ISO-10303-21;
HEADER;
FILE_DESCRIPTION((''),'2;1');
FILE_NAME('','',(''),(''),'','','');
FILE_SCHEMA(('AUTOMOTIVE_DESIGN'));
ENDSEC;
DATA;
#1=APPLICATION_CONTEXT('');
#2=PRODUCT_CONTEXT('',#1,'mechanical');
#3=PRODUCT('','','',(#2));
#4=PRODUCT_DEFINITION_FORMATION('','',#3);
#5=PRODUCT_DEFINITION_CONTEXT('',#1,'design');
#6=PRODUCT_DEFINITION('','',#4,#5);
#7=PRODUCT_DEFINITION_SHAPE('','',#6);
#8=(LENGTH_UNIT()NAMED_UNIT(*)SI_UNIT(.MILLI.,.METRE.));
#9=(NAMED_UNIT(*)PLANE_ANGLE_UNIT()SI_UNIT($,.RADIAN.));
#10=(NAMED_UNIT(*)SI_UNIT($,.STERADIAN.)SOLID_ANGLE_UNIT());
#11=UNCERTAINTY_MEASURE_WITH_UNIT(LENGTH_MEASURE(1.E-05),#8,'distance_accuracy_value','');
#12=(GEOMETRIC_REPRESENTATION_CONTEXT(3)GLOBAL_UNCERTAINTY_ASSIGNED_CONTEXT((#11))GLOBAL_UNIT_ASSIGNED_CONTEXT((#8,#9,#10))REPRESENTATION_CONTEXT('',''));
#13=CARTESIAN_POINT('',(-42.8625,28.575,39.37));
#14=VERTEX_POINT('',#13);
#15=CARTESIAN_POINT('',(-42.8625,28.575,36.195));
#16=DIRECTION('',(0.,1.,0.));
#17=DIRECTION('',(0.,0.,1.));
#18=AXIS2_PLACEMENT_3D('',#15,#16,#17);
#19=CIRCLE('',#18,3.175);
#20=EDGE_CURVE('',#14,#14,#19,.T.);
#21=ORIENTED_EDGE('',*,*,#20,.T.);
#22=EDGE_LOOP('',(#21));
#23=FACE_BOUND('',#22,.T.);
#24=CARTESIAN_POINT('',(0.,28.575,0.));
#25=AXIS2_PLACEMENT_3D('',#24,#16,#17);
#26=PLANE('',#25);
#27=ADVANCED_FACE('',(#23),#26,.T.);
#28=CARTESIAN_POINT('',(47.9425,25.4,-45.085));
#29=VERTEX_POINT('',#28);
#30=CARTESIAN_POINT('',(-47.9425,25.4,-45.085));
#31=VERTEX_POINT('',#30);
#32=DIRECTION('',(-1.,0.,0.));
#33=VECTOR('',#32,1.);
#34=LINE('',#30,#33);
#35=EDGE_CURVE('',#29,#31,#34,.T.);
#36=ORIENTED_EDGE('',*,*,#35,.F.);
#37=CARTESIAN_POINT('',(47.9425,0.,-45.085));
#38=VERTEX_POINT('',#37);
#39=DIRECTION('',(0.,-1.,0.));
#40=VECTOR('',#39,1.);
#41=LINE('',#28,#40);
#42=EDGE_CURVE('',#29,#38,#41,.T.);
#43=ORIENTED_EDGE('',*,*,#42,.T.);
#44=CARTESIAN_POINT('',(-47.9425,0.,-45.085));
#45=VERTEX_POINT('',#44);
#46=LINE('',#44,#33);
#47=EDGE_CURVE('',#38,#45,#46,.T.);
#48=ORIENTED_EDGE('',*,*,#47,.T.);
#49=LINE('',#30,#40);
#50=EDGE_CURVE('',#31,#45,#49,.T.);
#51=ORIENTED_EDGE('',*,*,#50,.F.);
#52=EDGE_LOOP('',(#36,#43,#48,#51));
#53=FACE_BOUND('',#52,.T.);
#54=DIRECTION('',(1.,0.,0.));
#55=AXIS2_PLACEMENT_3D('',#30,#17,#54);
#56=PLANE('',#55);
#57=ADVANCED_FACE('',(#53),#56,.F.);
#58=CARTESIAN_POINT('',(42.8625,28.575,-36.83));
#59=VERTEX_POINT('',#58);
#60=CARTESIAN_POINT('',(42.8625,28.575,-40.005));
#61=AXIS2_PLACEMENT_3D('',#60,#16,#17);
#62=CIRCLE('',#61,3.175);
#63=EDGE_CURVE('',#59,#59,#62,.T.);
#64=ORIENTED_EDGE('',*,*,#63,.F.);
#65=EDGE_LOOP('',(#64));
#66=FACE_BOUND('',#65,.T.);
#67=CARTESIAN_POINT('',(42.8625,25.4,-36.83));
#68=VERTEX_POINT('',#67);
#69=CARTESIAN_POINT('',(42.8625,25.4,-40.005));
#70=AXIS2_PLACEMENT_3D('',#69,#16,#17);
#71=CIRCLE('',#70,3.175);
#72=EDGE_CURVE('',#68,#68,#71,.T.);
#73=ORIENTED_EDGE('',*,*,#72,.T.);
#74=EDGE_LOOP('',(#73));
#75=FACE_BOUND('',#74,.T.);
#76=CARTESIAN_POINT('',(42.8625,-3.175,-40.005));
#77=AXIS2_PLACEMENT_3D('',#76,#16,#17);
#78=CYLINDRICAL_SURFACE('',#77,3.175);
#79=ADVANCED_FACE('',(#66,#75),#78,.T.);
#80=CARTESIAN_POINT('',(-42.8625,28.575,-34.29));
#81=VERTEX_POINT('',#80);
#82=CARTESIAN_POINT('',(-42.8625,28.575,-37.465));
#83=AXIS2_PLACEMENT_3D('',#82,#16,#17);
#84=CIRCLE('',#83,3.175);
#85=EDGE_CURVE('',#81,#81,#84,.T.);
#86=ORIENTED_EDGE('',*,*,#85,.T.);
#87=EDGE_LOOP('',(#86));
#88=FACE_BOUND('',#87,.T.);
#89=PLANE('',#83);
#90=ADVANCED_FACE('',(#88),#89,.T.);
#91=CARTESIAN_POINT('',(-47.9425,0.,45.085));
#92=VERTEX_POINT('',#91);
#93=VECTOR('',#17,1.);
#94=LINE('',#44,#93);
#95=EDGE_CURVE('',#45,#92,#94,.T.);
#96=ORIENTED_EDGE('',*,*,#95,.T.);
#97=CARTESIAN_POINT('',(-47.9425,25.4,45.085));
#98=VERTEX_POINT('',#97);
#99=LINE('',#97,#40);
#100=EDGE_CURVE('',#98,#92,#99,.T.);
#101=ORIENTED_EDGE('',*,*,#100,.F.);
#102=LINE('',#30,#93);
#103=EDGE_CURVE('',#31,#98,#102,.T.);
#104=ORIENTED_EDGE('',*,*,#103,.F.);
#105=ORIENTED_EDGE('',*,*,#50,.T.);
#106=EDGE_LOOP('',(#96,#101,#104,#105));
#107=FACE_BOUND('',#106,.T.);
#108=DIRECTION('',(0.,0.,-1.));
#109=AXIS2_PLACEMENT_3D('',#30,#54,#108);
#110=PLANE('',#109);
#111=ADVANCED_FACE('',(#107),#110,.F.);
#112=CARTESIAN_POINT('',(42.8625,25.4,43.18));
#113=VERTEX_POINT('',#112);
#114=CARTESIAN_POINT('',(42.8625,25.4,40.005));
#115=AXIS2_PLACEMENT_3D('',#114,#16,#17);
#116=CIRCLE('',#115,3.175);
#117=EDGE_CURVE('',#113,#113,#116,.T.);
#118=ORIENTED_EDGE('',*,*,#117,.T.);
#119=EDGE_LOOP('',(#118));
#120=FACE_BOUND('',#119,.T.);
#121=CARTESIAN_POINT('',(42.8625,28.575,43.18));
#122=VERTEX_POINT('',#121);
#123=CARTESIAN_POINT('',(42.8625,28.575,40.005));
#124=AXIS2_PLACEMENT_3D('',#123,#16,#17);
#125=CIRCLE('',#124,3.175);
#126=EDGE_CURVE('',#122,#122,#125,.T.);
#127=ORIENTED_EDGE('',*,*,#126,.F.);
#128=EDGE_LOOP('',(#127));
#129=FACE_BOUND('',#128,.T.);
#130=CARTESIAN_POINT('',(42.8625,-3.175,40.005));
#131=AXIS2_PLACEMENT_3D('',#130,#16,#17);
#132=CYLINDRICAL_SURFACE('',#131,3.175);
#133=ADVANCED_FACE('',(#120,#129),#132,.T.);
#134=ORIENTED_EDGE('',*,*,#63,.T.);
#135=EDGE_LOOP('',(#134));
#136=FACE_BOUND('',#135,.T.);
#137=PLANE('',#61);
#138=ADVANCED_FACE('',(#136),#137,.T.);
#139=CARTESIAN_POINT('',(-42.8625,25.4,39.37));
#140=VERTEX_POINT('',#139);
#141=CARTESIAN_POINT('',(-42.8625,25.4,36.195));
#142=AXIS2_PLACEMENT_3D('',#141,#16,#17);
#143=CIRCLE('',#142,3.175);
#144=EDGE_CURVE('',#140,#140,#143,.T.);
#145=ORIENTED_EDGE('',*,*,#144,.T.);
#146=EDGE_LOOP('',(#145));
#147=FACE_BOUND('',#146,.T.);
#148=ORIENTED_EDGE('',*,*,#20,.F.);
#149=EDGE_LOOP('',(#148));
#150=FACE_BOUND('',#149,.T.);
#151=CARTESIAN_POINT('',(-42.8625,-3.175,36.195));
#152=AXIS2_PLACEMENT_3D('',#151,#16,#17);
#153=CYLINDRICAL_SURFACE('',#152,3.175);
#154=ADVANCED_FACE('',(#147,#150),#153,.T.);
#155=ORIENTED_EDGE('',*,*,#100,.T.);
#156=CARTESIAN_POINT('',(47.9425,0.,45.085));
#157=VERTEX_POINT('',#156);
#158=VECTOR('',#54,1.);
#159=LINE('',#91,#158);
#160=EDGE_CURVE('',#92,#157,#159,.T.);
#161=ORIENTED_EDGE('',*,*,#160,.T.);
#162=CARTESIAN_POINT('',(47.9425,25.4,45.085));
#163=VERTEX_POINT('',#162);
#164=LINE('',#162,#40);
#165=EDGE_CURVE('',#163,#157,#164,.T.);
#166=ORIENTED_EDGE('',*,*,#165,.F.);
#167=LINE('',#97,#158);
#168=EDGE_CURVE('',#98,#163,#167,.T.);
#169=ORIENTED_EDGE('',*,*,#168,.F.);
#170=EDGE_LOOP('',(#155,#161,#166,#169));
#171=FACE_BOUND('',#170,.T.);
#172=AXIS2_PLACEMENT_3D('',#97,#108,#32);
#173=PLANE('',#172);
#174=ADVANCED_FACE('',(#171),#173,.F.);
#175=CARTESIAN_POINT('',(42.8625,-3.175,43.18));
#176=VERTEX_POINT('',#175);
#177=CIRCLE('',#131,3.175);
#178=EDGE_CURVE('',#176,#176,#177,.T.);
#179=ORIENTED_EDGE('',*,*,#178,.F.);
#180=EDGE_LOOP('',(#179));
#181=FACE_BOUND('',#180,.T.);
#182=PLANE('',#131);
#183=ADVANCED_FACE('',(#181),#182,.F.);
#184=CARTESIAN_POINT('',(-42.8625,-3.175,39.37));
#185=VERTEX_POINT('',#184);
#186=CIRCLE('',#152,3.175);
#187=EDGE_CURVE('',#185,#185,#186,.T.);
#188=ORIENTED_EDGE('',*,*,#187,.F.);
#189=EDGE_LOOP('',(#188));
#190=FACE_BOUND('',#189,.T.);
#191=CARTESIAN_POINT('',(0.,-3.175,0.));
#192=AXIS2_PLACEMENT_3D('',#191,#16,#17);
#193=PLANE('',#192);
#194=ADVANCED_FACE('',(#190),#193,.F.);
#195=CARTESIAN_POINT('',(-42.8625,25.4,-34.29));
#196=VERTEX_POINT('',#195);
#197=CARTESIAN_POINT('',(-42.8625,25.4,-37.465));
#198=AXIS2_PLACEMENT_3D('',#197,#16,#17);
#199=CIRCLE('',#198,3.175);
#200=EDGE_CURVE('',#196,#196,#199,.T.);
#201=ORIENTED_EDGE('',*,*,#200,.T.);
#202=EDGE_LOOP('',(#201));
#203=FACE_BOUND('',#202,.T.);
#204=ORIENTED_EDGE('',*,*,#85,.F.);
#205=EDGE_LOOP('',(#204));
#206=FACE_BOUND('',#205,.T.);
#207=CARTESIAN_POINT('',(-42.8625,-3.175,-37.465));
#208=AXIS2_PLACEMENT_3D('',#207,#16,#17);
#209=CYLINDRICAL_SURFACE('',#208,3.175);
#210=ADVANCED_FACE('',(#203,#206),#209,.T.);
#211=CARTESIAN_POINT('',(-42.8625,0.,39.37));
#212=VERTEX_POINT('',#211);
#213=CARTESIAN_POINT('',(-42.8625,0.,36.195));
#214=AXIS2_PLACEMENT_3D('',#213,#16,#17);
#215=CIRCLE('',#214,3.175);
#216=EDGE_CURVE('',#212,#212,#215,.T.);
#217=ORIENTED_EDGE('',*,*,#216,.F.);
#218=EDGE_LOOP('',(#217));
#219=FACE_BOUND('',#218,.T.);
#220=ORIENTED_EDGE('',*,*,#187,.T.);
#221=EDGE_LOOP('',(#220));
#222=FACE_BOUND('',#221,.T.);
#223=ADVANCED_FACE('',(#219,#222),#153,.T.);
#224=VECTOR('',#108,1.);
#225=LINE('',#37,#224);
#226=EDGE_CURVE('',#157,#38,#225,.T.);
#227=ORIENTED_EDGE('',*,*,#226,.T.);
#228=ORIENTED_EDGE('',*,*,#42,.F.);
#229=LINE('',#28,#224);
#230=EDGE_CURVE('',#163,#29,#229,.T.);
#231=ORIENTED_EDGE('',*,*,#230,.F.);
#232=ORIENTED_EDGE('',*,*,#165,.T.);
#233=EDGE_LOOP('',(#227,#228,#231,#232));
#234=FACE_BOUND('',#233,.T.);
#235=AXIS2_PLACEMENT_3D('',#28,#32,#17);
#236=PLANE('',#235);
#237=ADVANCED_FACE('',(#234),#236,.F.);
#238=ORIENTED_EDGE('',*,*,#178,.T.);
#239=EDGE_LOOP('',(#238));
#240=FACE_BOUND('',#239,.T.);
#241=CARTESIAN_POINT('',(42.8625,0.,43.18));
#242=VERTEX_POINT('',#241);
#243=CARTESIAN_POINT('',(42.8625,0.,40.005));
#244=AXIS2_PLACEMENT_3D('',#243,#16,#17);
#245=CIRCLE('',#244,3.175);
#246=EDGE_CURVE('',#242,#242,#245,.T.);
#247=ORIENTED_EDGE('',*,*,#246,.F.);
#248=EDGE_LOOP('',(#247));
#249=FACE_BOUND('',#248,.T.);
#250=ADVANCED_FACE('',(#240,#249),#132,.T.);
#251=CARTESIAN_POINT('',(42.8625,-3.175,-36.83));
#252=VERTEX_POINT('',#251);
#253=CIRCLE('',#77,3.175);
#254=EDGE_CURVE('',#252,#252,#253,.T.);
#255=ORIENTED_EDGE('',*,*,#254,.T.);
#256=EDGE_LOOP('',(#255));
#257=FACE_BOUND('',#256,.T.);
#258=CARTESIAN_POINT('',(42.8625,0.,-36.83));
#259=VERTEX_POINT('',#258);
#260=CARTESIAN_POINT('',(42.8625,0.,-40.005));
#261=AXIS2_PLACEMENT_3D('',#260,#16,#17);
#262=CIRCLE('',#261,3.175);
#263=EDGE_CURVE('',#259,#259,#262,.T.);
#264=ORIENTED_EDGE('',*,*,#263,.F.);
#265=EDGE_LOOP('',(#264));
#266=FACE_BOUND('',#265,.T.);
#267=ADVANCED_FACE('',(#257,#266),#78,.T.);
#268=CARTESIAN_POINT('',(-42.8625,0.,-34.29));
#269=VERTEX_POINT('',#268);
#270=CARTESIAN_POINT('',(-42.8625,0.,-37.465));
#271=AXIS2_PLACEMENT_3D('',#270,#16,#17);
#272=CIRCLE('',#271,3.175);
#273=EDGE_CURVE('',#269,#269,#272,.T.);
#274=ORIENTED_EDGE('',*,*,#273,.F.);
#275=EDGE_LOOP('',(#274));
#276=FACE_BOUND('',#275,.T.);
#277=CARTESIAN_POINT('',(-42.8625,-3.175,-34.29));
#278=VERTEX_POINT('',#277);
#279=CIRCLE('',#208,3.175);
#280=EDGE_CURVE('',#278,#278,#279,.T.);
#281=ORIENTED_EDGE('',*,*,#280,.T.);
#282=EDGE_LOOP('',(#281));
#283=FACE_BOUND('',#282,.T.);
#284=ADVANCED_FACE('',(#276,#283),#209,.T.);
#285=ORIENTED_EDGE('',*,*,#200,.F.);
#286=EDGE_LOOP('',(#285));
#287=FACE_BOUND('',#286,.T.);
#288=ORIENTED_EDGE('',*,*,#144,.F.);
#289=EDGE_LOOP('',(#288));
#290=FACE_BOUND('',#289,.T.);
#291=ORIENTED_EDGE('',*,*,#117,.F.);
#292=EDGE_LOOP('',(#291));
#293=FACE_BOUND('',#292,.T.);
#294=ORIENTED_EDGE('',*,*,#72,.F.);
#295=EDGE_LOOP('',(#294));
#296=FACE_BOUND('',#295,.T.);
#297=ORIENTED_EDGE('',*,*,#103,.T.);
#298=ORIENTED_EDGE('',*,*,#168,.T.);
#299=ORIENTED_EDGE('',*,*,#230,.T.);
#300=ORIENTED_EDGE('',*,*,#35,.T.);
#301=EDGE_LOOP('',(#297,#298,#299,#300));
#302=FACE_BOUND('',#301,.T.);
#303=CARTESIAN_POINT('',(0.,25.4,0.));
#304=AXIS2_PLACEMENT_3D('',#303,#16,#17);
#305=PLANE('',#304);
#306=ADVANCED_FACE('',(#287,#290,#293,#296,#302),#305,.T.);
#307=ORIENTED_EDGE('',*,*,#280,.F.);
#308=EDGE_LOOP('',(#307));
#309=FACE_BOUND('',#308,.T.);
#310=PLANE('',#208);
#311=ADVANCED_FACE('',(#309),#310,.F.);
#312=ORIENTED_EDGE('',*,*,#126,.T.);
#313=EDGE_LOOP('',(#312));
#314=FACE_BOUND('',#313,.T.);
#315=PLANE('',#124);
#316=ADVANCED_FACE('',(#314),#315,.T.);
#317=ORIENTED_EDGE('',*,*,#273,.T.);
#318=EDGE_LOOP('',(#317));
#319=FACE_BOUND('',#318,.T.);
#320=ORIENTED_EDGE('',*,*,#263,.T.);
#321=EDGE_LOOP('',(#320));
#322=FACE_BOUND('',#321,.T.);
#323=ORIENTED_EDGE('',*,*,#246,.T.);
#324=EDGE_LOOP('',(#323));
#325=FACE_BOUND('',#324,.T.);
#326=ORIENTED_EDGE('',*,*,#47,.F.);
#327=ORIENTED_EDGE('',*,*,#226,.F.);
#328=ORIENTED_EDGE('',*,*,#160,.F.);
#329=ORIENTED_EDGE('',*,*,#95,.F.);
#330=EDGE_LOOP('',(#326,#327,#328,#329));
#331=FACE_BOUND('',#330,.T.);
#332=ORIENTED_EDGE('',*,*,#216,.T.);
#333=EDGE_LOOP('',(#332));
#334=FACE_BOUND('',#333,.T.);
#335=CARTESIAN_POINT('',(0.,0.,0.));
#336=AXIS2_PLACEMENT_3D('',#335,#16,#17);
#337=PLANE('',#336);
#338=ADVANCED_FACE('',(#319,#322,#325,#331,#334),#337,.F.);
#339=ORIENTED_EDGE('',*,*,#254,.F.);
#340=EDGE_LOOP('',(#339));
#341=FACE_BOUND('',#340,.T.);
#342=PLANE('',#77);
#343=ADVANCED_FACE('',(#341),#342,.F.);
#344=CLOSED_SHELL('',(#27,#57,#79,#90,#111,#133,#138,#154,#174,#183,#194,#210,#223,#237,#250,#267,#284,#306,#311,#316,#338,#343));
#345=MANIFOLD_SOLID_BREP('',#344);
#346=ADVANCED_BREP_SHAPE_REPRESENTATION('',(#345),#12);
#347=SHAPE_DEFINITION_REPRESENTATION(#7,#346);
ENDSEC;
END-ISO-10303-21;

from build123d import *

# Parameters (mm, degrees)
SKETCH1_W                = 95.885
SKETCH1_H                = 90.17
SKETCH1_R                = 3.175
BOSS_EXTRUDE1_DEPTH      = 25.4
BOSS_EXTRUDE2_DEPTH      = 28.575
BOSS_EXTRUDE2_DEPTH_BACK = 3.175
SKETCH1_2_R              = 3.175


with BuildPart() as part:
    # Sketch1 → Boss-Extrude1 (new body)
    with BuildSketch(Plane(origin=(0, 0, 0), x_dir=(1, 0, 0), z_dir=(0, 1, 0))):
        Rectangle(SKETCH1_W, SKETCH1_H)
        with Locations((-42.8625, 37.465)):
            Circle(SKETCH1_R, mode=Mode.SUBTRACT)
        with Locations((-42.8625, -36.195)):
            Circle(SKETCH1_R, mode=Mode.SUBTRACT)
        with Locations((42.8625, 40.005)):
            Circle(SKETCH1_R, mode=Mode.SUBTRACT)
        with Locations((42.8625, -40.005)):
            Circle(SKETCH1_R, mode=Mode.SUBTRACT)
    extrude(amount=BOSS_EXTRUDE1_DEPTH)

    # Sketch1<2> → Boss-Extrude2 (add, two sides: drawn at the far end of the back side and taken through both)
    with BuildSketch(Plane(origin=(0, 0, 0), x_dir=(1, 0, 0), z_dir=(0, 1, 0)).offset(-BOSS_EXTRUDE2_DEPTH_BACK)):
        with Locations((-42.8625, 37.465)):
            Circle(SKETCH1_2_R)
        with Locations((-42.8625, -36.195)):
            Circle(SKETCH1_2_R)
        with Locations((42.8625, 40.005)):
            Circle(SKETCH1_2_R)
        with Locations((42.8625, -40.005)):
            Circle(SKETCH1_2_R)
    extrude(amount=BOSS_EXTRUDE2_DEPTH + BOSS_EXTRUDE2_DEPTH_BACK)


solid = part.part
